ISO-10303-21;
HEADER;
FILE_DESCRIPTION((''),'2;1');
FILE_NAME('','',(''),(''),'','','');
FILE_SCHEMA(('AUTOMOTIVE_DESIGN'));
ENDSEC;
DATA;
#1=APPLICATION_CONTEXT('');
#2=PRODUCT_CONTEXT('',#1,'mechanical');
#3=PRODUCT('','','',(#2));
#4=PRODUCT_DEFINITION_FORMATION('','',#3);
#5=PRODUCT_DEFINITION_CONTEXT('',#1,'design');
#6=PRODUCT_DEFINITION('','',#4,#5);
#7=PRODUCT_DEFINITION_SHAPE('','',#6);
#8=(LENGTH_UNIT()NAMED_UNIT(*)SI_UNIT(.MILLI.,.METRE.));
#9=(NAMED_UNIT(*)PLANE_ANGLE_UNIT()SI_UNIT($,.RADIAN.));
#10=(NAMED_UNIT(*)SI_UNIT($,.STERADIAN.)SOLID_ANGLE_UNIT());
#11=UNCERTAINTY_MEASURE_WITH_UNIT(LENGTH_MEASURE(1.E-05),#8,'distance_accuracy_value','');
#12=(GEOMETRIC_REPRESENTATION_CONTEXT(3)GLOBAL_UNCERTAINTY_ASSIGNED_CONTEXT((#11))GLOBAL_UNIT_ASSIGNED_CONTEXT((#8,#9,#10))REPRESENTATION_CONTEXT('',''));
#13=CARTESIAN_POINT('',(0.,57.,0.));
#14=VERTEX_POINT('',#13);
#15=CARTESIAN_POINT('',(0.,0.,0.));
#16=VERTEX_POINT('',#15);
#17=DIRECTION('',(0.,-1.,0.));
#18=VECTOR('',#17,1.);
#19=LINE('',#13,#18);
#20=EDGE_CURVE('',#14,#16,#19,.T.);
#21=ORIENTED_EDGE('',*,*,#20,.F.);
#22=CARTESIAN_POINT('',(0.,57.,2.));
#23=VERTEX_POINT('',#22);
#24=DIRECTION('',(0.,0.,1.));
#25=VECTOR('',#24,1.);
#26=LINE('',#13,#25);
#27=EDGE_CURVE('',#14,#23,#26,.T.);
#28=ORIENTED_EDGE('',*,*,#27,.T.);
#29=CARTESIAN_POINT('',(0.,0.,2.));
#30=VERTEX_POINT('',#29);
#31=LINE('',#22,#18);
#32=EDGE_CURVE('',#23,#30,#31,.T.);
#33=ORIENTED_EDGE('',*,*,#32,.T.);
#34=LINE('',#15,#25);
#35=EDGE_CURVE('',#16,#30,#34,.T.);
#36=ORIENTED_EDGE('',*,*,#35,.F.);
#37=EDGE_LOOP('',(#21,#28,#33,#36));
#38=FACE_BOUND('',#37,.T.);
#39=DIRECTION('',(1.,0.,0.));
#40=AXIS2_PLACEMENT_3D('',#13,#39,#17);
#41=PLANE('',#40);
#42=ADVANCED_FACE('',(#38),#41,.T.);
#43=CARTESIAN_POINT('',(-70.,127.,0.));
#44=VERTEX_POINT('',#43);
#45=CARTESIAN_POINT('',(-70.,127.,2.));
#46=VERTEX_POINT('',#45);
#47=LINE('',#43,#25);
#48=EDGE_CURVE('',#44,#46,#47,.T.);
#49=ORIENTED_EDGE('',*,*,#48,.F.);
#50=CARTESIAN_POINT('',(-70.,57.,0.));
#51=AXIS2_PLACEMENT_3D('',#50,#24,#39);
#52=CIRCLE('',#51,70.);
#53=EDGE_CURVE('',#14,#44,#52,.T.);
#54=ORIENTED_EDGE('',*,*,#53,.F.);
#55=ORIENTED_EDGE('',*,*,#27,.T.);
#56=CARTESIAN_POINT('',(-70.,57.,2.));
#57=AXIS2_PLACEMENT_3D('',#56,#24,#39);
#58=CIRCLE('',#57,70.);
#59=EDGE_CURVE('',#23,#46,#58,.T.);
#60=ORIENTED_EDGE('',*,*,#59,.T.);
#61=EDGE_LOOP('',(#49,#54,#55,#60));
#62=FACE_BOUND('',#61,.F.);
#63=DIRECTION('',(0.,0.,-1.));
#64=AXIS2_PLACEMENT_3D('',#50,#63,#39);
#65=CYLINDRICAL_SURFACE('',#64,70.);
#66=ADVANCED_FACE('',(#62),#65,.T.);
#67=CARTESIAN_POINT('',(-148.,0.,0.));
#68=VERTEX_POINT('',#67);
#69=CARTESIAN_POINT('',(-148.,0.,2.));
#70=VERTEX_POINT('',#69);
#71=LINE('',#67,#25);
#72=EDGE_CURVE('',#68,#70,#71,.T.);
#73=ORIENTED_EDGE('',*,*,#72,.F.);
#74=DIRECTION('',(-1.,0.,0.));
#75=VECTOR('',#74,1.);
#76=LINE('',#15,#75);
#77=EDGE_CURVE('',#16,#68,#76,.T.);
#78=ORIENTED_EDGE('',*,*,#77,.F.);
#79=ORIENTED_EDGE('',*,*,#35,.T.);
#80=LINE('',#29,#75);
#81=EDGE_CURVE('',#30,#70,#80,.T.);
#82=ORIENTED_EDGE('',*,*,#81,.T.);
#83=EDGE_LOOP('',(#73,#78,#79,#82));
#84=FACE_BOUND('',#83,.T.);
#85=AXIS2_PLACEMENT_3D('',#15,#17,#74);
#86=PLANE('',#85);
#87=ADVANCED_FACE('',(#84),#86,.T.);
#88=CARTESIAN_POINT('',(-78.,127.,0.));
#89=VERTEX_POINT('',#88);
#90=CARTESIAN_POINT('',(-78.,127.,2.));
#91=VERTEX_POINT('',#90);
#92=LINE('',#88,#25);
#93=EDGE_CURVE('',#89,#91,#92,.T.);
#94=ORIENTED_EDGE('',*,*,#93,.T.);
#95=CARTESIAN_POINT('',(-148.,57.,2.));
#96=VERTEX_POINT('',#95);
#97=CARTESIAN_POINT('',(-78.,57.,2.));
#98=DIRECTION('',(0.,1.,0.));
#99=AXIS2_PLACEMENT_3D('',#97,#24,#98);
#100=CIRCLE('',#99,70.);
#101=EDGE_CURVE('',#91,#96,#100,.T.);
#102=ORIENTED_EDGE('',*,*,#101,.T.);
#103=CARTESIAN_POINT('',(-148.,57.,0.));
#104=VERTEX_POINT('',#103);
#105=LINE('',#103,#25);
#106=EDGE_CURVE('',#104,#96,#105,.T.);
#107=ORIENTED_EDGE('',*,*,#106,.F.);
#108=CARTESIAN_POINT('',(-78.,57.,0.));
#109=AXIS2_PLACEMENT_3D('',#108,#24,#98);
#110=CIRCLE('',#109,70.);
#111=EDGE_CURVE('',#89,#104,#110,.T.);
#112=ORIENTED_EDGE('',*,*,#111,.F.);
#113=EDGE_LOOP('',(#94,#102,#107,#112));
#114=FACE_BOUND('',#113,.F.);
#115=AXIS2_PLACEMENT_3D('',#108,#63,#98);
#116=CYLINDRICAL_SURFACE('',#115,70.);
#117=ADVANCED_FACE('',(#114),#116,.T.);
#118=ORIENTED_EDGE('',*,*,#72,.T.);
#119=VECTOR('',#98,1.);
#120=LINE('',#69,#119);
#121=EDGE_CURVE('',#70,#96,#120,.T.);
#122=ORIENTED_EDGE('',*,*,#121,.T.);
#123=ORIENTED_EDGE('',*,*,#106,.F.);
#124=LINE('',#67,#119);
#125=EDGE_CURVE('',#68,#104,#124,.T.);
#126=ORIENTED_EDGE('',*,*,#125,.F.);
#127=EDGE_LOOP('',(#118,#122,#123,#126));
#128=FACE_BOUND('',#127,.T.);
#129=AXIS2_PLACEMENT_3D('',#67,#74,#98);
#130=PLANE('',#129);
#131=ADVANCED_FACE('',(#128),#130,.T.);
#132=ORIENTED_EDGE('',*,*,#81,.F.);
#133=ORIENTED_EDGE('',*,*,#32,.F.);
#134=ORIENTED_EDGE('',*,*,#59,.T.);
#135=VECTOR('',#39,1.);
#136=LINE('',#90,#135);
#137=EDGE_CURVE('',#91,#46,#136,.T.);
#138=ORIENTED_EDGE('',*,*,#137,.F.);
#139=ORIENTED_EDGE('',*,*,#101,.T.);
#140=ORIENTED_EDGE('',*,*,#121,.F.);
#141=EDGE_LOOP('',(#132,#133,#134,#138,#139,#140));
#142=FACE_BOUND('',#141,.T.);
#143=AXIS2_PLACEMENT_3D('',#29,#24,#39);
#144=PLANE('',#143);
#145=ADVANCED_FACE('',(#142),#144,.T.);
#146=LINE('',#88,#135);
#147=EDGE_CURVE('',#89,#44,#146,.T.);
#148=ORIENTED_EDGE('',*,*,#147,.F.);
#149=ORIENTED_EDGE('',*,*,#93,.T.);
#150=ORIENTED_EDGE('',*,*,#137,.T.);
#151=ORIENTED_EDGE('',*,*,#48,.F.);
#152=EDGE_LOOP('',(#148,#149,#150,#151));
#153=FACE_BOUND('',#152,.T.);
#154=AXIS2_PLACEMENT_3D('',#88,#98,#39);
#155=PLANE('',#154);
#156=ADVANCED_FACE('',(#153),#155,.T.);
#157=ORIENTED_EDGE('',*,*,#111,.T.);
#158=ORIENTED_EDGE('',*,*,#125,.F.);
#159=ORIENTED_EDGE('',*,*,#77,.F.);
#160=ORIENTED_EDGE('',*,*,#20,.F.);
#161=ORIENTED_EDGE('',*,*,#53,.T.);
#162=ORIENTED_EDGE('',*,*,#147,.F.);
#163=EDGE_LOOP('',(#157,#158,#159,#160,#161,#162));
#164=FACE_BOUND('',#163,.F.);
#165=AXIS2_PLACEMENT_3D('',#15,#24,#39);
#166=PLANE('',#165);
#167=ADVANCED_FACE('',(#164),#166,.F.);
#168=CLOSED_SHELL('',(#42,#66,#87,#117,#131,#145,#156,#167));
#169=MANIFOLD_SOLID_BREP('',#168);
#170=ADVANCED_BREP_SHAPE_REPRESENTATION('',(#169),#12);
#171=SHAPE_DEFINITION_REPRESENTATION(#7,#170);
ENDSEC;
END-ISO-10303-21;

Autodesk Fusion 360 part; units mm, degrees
sketch "Sketch1" plane through (0, 0, 0) normal (0, 0, 1) x (1, 0, 0)
  line L0 (0, 0) -> (-148, 0)
  line L1 (-148, 0) -> (-148, 57)
  line L2 (-78, 127) -> (-70, 127)
  line L3 (0, 57) -> (0, 0)
  arc A0 (0, 57) -> (-70, 127) centre (-70, 57) ccw
  arc A1 (-78, 127) -> (-148, 57) centre (-78, 57) ccw
  point P0 (0, 127)
  dimension "d1" = 148
  dimension "d2" = 127
  dimension "d3" = 70
extrude "Extrude1" add sketch "Sketch1" along normal blind 2
